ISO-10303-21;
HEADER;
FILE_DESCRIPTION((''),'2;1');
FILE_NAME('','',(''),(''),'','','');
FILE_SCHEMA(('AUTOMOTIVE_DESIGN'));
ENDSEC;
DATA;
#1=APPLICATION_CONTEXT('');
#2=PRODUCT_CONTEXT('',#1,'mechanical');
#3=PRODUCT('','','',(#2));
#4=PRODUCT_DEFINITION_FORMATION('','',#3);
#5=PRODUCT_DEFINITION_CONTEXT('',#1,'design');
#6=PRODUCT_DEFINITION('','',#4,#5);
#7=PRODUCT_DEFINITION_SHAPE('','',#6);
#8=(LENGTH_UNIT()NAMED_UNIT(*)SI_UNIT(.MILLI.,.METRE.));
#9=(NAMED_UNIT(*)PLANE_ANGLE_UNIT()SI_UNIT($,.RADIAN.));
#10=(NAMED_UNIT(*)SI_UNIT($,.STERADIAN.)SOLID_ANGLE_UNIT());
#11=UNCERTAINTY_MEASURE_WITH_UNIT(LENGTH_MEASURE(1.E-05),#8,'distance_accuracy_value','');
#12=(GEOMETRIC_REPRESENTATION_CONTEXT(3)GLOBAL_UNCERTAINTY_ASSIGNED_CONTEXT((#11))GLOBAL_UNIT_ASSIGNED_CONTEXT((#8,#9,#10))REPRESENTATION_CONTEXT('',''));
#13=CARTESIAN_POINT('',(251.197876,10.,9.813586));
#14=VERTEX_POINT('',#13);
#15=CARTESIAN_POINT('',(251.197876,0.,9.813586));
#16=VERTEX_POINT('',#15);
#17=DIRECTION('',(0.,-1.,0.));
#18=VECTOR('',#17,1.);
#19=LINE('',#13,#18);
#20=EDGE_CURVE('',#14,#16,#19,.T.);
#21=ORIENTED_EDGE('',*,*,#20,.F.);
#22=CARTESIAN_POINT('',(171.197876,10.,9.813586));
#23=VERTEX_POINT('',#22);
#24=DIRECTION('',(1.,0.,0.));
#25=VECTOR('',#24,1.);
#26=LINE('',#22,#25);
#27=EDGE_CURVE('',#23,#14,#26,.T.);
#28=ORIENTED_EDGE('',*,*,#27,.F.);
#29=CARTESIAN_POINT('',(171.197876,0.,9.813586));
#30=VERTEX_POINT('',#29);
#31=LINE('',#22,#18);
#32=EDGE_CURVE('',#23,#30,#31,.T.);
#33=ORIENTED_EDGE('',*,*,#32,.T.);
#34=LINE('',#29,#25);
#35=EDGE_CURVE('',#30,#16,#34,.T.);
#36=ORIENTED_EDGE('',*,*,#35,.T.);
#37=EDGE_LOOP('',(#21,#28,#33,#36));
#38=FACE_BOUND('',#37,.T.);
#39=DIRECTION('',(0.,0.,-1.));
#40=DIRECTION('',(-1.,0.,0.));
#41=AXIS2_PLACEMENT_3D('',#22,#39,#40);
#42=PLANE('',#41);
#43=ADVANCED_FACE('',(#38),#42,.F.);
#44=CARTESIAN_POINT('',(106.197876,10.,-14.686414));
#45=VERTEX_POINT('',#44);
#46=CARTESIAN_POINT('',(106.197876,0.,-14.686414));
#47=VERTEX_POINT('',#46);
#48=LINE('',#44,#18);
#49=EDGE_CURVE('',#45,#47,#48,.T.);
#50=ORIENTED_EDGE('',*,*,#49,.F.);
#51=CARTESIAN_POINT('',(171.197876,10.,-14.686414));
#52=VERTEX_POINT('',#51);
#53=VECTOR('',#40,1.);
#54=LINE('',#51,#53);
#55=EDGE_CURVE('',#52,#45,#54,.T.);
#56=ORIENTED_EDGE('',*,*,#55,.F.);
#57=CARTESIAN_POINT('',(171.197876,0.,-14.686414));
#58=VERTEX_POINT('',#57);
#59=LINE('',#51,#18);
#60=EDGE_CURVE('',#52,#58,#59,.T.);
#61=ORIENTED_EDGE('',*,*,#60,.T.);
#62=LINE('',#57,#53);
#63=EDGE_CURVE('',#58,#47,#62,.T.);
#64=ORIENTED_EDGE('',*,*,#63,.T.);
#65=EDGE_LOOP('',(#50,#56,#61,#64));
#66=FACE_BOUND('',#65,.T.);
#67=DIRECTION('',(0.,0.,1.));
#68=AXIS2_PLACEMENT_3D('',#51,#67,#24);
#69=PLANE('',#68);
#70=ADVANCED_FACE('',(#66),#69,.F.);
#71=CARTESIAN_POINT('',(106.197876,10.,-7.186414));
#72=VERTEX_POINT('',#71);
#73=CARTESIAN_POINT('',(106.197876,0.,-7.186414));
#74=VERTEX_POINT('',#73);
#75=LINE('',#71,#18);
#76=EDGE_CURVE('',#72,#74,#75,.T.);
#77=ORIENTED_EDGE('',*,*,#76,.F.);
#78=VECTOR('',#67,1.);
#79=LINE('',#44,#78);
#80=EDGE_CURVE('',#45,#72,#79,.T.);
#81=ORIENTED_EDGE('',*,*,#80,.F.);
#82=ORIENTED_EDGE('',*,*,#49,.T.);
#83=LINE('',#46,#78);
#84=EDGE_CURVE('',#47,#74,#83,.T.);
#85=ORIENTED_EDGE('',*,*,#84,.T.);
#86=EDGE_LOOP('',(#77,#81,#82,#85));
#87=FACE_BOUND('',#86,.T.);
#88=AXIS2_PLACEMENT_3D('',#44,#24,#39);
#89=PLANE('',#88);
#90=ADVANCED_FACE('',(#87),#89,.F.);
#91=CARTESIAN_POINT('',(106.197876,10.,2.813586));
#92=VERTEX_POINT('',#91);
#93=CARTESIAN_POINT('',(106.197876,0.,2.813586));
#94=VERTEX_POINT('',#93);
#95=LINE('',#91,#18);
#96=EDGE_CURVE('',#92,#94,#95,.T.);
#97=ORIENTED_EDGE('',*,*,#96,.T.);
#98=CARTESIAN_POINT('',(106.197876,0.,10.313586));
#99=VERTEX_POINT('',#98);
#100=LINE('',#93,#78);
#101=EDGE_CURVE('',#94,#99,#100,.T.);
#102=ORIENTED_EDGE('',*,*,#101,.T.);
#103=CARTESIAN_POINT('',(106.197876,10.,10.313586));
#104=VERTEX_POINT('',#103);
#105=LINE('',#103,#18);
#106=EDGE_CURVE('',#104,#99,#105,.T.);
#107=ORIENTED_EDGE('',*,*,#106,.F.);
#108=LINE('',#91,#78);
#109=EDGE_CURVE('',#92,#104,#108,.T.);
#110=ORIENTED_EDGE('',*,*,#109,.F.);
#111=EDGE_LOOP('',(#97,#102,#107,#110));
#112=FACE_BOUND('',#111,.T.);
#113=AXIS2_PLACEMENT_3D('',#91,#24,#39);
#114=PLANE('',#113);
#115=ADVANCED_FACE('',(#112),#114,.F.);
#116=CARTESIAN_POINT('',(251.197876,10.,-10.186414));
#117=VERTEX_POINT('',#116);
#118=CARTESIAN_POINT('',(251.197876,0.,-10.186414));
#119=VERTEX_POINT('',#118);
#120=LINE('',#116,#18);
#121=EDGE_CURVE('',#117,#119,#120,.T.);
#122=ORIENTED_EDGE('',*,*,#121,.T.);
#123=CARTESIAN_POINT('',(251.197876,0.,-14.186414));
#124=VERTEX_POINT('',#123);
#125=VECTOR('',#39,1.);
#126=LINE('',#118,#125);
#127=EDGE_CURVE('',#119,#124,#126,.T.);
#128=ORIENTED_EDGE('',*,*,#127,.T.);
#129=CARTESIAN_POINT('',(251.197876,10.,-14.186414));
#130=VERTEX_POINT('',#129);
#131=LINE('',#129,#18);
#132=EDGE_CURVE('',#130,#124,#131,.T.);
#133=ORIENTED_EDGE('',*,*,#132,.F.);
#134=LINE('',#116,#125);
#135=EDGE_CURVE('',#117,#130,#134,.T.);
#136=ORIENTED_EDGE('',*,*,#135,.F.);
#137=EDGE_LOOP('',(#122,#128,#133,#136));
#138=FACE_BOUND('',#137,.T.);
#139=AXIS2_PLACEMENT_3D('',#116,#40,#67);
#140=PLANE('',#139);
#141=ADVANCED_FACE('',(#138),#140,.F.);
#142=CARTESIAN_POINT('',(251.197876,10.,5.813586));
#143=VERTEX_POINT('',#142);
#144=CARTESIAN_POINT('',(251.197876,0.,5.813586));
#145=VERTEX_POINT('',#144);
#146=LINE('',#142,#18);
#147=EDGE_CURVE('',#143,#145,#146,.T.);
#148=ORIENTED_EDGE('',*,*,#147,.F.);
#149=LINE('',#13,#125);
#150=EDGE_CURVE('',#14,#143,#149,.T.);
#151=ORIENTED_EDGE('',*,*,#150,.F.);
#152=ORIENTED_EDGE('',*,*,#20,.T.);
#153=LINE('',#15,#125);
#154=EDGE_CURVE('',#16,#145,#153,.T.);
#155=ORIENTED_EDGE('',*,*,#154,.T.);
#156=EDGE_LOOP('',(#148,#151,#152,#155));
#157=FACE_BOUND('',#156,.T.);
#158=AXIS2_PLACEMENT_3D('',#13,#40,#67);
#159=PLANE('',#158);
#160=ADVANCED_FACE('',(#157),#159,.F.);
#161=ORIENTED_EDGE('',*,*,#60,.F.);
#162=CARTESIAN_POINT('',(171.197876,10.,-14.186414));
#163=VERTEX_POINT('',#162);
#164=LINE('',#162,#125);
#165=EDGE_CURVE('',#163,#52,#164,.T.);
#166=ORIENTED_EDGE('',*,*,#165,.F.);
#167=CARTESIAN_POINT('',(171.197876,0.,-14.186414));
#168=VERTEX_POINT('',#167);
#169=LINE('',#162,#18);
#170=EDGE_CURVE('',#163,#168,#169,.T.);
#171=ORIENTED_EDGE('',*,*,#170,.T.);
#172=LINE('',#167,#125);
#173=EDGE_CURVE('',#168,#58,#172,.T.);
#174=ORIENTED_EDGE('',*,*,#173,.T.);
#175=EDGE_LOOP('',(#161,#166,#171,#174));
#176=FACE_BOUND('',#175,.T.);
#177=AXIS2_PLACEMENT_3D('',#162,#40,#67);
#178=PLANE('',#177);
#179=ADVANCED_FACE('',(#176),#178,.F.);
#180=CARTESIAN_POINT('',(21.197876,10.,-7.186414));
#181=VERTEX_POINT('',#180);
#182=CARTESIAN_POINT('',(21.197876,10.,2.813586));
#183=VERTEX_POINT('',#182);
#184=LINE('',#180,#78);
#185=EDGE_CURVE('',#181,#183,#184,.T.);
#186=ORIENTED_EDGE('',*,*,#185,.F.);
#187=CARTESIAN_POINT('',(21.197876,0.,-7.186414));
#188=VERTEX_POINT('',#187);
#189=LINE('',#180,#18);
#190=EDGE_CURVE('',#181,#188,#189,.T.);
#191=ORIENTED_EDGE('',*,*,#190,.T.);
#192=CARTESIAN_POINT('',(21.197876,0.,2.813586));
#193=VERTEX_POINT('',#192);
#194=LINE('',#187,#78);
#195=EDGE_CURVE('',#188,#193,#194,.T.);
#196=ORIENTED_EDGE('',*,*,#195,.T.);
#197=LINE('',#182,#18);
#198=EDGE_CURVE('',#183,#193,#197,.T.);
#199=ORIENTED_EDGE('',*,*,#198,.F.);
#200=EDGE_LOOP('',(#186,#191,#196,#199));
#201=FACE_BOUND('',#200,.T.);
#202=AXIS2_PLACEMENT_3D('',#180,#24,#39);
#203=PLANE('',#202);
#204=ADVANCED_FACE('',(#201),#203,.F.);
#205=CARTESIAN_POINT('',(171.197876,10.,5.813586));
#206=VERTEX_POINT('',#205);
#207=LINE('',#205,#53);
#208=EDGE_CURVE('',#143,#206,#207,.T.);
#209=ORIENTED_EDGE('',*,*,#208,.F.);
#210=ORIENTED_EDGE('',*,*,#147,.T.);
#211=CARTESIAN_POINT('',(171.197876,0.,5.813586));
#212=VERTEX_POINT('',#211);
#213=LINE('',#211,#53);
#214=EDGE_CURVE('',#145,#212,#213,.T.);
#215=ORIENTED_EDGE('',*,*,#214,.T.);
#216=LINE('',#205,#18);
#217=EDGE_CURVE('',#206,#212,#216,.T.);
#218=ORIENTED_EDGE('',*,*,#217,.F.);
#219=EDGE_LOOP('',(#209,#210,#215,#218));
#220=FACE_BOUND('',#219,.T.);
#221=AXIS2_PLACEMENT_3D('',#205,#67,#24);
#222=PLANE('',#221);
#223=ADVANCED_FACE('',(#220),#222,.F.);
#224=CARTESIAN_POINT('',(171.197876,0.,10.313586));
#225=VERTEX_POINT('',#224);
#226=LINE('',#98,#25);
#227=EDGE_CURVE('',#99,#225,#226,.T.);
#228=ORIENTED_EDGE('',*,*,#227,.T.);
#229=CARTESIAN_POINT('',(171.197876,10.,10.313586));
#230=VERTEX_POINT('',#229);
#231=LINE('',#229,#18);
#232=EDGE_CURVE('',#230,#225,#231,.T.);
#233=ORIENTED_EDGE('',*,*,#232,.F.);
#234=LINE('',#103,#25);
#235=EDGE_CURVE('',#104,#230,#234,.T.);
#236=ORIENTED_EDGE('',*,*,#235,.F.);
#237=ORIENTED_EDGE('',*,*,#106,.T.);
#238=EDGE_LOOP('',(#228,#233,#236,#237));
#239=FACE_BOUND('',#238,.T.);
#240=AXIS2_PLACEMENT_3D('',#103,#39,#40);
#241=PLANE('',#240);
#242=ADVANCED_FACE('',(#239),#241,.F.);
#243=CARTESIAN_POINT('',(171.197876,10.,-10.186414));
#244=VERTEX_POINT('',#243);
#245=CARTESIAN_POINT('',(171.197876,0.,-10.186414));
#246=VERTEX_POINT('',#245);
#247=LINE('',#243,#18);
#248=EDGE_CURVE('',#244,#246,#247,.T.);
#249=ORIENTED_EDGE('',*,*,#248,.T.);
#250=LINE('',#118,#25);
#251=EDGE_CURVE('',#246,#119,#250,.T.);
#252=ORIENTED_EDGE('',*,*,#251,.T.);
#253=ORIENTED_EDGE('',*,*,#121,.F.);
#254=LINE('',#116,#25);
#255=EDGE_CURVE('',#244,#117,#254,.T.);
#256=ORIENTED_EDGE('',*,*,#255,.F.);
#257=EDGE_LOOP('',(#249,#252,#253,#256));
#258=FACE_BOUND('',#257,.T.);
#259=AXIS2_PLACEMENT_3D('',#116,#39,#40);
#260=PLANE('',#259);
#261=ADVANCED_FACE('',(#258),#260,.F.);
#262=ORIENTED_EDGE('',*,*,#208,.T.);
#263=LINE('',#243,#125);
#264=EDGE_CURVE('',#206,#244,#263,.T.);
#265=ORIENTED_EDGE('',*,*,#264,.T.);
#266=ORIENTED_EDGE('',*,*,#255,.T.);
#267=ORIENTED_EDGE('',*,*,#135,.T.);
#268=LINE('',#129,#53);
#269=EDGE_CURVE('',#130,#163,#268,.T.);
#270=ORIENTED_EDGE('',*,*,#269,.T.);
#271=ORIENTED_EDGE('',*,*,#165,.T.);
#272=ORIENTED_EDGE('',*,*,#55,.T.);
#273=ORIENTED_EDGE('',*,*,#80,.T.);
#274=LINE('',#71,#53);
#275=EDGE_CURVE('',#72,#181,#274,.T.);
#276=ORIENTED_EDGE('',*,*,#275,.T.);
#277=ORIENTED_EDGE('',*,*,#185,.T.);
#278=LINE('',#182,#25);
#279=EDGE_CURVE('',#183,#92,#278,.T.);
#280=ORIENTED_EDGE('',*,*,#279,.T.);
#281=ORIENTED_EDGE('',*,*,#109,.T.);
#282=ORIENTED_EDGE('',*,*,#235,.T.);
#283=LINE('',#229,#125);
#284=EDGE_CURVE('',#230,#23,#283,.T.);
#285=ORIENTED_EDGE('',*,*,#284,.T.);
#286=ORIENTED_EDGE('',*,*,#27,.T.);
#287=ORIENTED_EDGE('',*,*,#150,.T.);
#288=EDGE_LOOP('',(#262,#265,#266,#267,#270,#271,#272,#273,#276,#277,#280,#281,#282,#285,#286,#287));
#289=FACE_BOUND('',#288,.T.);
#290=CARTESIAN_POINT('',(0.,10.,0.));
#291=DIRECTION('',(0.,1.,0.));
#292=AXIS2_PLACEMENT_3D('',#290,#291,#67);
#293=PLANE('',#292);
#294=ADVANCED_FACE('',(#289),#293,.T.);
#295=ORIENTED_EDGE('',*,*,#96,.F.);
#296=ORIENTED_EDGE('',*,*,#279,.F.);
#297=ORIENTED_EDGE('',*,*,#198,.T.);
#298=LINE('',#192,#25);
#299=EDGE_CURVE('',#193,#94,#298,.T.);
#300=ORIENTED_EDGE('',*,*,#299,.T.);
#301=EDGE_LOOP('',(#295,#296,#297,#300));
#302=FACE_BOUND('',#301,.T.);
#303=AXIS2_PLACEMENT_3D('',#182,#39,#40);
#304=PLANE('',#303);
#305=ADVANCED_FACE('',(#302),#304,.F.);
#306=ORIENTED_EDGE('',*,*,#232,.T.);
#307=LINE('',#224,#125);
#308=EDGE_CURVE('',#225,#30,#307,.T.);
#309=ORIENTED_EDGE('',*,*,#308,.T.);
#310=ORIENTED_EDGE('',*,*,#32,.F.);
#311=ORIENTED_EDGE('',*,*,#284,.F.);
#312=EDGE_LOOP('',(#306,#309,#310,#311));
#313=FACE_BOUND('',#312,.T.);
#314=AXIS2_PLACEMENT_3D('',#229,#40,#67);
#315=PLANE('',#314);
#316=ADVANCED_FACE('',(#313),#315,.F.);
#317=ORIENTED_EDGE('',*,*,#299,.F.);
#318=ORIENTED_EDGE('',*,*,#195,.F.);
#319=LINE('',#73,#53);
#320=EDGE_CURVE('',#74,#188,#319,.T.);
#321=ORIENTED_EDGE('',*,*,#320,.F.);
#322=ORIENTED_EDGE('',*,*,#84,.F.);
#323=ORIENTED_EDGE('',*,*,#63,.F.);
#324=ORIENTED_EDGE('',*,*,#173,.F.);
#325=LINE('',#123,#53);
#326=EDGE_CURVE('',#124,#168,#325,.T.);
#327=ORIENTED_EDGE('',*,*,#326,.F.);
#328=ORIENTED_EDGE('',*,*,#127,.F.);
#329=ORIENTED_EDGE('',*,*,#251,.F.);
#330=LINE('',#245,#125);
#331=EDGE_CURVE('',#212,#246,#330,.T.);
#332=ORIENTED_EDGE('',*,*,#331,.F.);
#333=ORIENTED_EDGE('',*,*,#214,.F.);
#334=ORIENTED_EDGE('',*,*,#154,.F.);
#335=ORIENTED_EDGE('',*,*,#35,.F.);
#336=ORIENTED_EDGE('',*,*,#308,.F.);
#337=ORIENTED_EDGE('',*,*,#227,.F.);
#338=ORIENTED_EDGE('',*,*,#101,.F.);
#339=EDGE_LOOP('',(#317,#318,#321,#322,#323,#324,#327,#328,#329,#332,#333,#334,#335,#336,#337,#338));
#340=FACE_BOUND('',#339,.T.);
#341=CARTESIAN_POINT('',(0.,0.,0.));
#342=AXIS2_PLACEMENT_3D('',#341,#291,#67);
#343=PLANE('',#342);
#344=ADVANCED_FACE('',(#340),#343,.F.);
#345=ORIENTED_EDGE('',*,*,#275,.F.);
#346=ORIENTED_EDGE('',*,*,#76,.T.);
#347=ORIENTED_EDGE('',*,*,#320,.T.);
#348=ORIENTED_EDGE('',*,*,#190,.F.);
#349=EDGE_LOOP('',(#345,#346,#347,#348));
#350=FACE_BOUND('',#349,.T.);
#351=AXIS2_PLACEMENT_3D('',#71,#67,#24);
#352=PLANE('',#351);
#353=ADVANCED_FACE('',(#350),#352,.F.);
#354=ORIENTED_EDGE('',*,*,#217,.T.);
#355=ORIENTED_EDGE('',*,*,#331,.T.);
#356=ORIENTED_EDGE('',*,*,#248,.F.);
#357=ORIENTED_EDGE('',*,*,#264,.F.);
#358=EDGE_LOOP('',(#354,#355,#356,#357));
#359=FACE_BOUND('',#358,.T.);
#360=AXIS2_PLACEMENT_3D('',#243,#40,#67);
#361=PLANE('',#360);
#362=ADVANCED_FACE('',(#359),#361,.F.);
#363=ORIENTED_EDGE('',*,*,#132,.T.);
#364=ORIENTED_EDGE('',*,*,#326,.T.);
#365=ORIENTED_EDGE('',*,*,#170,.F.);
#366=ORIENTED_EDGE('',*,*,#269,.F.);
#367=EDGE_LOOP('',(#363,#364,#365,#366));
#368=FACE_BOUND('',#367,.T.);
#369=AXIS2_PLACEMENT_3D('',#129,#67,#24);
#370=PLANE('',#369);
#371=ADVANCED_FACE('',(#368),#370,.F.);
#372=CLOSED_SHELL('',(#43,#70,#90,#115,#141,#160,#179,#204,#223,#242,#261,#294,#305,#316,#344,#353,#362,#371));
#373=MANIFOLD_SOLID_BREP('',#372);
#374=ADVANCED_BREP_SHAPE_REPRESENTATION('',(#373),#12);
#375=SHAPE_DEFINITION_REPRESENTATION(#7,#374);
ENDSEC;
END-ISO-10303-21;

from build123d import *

# Parameters (mm, degrees)
BOSS_EXTRUDE1_DEPTH = 10


with BuildPart() as part:
    # Sketch1 → Boss-Extrude1 (new body)
    with BuildSketch(Plane(origin=(0, 0, 0), x_dir=(1, 0, 0), z_dir=(0, 1, 0))):
        Polygon((251.197875898, 10.186414256), (171.197875898, 10.186414256), (171.197875898, -5.813585744), (251.197875898, -5.813585744), (251.197875898, -9.813585744), (171.197875898, -9.813585744), (171.197875898, -10.313585744), (106.197875898, -10.313585744), (106.197875898, -2.813585744), (21.197875898, -2.813585744), (21.197875898, 7.186414256), (106.197875898, 7.186414256), (106.197875898, 14.686414256), (171.197875898, 14.686414256), (171.197875898, 14.186414256), (251.197875898, 14.186414256), align=None)
    extrude(amount=BOSS_EXTRUDE1_DEPTH)


solid = part.part
